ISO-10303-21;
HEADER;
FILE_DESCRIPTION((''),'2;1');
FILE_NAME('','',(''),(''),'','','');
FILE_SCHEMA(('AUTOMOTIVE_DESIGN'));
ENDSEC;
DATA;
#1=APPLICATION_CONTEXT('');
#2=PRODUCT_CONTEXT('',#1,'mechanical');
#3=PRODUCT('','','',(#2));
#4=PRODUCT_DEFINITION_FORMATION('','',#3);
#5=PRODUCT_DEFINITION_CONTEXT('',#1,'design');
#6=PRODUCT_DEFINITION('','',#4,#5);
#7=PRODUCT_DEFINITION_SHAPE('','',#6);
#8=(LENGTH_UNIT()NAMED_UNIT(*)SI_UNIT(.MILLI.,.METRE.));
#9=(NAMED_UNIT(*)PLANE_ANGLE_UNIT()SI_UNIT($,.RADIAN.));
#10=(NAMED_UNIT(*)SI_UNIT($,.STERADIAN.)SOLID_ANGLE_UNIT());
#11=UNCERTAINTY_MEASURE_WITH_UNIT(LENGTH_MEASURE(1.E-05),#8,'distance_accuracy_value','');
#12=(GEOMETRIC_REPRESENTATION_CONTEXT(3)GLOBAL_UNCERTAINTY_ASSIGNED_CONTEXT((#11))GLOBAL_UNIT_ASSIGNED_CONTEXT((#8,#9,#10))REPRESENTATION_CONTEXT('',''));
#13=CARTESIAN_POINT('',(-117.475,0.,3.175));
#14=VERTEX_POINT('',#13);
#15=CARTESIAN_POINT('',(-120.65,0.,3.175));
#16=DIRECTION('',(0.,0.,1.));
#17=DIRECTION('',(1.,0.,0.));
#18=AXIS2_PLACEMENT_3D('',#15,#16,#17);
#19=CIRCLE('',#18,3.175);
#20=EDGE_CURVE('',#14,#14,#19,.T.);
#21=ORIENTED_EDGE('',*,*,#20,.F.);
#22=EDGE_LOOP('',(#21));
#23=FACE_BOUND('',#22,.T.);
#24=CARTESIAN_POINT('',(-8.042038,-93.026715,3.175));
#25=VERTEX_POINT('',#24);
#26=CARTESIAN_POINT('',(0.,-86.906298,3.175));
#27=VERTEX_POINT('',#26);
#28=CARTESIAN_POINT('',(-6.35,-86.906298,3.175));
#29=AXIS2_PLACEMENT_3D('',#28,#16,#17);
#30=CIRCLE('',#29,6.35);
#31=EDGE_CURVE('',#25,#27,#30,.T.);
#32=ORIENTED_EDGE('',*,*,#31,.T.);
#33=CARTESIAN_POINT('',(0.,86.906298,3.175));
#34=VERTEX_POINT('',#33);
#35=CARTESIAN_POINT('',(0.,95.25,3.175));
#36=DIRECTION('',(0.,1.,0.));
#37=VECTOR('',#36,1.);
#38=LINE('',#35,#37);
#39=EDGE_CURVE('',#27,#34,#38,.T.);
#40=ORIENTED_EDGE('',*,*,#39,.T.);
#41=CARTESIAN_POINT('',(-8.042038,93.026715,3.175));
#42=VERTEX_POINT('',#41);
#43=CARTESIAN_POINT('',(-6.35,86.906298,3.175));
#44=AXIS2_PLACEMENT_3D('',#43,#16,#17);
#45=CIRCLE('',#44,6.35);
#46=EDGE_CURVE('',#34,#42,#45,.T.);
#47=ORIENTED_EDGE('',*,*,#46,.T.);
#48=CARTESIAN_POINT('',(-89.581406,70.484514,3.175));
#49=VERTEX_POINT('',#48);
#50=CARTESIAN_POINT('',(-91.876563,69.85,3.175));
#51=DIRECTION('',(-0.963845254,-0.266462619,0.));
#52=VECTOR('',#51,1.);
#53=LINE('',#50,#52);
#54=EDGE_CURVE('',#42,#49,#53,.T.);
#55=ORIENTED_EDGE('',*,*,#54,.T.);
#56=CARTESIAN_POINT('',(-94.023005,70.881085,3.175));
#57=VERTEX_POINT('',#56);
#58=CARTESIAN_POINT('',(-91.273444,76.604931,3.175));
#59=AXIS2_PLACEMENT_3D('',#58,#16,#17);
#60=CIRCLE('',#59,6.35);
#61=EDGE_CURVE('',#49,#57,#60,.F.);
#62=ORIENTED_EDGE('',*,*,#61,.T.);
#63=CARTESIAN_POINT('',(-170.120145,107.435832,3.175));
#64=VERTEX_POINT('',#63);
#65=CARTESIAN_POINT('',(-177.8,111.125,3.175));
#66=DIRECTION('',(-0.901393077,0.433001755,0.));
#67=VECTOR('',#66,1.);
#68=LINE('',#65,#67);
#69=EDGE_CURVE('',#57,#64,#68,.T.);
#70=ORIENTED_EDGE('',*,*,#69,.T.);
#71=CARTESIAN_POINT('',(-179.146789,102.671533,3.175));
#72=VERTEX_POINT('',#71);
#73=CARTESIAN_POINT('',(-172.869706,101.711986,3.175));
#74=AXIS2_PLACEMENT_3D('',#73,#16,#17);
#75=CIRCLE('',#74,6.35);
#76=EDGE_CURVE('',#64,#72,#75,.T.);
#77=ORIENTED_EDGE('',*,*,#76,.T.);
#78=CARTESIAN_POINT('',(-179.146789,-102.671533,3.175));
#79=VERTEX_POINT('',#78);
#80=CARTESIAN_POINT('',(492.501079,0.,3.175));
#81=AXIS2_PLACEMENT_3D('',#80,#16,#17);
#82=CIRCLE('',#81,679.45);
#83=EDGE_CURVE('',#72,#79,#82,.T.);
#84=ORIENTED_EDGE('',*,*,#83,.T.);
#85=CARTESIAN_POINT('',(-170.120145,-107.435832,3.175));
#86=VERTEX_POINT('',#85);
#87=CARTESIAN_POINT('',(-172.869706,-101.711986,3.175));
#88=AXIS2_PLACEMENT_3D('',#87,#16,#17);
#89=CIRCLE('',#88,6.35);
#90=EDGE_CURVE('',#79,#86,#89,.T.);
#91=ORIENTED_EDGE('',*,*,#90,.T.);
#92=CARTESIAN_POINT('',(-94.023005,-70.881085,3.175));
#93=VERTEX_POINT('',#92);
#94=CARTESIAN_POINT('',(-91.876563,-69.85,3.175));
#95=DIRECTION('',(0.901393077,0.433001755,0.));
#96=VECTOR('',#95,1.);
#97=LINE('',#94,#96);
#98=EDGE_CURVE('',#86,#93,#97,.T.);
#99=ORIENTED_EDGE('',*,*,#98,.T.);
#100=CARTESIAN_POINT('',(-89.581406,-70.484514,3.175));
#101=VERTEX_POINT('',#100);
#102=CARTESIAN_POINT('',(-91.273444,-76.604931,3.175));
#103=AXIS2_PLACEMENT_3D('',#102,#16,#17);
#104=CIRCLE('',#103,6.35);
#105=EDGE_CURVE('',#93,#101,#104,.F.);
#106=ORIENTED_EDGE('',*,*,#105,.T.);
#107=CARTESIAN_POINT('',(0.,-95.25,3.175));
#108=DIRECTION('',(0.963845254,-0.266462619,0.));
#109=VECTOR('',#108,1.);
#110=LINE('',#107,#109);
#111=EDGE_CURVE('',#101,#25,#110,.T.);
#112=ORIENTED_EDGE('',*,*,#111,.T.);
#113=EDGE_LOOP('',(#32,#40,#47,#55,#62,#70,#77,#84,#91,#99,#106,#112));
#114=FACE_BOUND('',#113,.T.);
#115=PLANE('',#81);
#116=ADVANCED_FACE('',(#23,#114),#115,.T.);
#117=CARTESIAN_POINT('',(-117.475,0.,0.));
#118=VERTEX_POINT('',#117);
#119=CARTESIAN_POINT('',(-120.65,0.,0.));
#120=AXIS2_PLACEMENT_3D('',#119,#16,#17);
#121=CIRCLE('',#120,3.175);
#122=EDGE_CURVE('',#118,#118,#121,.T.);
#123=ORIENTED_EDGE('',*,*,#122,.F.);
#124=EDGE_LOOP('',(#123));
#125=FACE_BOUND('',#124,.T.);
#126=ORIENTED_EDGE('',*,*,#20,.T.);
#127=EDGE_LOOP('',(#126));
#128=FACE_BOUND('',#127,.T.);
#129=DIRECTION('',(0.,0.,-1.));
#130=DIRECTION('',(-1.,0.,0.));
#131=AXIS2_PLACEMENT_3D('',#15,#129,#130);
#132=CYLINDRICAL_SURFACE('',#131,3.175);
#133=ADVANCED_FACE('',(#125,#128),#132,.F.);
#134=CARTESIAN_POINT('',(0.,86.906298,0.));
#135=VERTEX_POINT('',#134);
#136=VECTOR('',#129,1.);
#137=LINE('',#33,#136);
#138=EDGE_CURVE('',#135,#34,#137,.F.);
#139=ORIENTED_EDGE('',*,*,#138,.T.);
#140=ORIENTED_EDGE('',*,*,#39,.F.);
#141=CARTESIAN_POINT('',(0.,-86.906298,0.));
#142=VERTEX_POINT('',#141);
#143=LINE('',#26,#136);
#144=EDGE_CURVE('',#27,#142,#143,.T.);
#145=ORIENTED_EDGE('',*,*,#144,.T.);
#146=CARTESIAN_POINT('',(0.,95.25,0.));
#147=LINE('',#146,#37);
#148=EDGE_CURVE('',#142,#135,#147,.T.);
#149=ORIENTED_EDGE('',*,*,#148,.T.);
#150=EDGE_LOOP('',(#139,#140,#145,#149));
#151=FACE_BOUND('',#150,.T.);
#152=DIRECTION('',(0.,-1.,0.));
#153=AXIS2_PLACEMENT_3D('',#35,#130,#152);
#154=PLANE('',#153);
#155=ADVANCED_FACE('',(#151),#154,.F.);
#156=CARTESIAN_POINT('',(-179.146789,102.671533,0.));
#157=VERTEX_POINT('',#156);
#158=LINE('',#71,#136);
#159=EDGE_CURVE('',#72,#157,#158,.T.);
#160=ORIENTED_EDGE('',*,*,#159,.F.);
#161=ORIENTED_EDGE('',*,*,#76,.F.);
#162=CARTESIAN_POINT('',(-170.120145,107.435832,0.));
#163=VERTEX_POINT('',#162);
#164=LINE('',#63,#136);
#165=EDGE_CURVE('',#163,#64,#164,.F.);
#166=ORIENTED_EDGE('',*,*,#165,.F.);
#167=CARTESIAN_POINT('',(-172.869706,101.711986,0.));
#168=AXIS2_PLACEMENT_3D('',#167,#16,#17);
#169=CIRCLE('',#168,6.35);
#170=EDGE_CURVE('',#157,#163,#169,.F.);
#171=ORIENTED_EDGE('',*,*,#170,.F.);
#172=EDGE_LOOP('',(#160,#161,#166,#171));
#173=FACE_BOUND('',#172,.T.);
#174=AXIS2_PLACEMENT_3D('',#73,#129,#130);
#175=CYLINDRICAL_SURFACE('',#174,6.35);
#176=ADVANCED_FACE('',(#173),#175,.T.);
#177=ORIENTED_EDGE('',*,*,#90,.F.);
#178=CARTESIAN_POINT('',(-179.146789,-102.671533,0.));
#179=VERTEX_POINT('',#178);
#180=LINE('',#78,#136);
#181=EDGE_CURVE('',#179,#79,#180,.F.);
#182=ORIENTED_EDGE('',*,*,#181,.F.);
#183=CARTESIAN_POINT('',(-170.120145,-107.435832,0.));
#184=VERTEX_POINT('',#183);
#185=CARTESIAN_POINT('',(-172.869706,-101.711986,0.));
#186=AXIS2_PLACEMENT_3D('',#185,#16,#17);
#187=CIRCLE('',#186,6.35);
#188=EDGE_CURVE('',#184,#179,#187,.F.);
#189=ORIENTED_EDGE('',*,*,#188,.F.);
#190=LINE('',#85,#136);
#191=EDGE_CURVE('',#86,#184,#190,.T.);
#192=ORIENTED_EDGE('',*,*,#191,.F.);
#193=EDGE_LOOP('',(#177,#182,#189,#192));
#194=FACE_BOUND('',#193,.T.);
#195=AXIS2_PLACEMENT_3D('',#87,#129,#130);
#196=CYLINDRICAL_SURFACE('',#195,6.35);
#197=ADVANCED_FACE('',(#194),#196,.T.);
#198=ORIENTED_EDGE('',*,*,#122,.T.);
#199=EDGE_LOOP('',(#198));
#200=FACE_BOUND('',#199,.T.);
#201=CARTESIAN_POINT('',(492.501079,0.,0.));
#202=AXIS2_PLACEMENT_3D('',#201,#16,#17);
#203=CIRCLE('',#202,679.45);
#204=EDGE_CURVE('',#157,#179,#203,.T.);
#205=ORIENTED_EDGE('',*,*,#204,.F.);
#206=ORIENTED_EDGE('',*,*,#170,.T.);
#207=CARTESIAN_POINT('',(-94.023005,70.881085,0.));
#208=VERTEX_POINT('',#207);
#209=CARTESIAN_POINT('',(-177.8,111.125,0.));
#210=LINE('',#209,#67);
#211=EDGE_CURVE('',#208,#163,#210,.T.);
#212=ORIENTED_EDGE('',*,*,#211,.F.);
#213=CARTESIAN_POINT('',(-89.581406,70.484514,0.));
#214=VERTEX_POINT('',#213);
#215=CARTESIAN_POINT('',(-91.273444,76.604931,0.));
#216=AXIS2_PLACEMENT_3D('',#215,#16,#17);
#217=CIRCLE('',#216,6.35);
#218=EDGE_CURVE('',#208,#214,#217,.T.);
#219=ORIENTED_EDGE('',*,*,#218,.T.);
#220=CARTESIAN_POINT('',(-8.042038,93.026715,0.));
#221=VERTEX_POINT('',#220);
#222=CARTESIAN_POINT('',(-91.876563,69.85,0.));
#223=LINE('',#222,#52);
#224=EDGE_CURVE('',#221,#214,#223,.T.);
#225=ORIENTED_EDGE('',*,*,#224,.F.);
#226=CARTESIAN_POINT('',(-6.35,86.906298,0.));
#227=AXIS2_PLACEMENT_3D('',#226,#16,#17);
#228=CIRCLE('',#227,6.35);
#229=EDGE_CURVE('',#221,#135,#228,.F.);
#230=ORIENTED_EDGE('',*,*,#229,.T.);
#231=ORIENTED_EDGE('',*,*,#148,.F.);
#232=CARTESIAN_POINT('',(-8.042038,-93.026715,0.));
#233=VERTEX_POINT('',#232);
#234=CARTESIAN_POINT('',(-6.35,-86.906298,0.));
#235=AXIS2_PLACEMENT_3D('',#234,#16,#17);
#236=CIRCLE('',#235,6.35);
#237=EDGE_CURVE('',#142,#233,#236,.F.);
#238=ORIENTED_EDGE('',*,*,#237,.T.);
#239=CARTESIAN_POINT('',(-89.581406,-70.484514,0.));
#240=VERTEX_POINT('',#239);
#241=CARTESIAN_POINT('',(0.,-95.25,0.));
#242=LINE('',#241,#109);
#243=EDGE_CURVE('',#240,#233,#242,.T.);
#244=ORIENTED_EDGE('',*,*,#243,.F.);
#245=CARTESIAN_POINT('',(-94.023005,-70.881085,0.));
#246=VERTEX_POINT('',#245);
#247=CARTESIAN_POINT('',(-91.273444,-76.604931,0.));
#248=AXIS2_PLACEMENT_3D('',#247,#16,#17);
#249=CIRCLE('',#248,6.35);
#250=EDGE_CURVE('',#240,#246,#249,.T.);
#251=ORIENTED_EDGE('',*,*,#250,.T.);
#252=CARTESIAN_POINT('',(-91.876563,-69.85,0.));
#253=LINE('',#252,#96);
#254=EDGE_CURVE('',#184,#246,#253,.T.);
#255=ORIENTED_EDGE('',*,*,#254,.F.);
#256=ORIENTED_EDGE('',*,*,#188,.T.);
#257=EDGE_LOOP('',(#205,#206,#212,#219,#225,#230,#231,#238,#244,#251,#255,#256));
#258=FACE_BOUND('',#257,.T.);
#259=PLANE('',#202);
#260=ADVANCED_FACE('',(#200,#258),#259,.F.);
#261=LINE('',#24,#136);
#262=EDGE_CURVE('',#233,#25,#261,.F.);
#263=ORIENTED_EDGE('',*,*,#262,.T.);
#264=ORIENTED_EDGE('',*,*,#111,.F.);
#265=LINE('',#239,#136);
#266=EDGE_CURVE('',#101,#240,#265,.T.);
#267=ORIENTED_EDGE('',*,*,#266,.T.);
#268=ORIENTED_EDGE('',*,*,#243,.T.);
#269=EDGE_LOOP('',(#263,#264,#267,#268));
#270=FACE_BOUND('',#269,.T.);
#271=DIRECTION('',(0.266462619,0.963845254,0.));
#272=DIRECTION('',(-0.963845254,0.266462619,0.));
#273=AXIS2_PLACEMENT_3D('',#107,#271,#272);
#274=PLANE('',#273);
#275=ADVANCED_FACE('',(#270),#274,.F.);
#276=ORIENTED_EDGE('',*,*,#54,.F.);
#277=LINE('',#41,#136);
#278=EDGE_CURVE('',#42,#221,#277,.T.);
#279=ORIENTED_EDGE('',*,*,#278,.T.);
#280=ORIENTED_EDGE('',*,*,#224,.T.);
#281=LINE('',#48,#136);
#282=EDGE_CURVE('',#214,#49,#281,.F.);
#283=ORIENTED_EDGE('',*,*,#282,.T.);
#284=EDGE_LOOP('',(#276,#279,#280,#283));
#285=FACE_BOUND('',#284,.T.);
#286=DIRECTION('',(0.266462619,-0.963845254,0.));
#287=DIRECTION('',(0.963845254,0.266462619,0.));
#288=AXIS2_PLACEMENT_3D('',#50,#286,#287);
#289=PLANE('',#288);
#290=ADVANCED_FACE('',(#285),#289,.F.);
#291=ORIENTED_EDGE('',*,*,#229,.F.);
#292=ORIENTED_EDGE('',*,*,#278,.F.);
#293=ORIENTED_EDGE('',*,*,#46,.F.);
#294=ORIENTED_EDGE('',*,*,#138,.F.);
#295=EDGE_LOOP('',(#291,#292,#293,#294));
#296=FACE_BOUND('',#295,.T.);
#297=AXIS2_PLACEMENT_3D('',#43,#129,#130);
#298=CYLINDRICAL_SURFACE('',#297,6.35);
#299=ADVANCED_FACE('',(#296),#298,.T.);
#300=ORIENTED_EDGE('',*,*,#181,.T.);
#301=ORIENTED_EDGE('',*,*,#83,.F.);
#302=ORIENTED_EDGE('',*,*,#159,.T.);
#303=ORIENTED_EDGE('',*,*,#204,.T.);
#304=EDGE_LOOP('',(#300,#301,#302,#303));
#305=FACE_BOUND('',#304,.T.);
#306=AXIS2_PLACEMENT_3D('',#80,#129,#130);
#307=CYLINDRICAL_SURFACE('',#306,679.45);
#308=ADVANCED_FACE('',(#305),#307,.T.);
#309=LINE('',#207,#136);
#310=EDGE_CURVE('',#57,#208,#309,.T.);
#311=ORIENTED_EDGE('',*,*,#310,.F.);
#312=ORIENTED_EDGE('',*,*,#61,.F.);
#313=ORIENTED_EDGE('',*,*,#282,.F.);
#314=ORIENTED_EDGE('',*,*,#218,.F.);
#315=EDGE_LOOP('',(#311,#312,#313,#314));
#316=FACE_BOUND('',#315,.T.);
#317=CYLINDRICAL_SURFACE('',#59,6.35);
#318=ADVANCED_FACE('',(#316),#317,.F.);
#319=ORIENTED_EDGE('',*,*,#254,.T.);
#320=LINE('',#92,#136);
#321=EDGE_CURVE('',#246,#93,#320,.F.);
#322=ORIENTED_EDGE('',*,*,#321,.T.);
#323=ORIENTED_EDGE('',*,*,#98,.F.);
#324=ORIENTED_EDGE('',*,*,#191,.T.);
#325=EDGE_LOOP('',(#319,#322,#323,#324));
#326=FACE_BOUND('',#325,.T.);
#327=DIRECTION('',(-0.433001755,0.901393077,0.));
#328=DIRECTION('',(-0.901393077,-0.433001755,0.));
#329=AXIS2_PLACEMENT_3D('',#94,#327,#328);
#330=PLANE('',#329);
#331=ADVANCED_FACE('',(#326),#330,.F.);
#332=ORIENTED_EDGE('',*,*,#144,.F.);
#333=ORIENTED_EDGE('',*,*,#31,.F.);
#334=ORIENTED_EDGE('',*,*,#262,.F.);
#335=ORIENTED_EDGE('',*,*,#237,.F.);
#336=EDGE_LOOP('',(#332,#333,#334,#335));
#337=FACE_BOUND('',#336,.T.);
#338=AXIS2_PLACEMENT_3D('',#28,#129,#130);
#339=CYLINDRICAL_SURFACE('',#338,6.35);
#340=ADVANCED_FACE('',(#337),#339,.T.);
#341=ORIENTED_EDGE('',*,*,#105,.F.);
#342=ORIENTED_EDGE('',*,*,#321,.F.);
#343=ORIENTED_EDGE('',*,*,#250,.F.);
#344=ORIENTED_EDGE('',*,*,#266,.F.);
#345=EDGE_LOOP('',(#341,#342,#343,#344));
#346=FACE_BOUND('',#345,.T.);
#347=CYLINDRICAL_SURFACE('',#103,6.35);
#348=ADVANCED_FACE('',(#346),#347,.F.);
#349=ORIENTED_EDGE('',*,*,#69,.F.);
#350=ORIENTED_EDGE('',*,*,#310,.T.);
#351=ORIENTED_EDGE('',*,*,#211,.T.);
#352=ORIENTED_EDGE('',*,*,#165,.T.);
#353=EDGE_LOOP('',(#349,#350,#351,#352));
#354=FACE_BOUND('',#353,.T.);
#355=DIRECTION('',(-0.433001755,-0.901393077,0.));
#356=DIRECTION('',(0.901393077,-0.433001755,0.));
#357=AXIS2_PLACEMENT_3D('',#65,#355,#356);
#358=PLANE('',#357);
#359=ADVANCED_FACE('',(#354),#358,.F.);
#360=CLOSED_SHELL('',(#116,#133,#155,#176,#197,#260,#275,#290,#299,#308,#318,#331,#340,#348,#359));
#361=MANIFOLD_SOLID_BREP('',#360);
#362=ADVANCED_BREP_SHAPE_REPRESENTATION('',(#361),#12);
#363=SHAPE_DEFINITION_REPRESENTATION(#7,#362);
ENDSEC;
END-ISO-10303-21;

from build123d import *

# Parameters (mm, degrees)
SKETCH1_R           = 3.175
BOSS_EXTRUDE1_DEPTH = 3.175
FILLET1_R           = 6.35


with BuildPart() as part:
    # Sketch1 → Boss-Extrude1 (new body)
    with BuildSketch(Plane.XY):
        with BuildLine():
            Line((-177.8, 111.125), (-91.8765625, 69.85))
            Line((-91.8765625, 69.85), (0, 95.25))
            Line((0, 95.25), (0, -95.25))
            Line((0, -95.25), (-91.8765625, -69.85))
            Line((-91.8765625, -69.85), (-177.8, -111.125))
            ThreePointArc((-177.8, -111.125), (-186.948920727, 0), (-177.8, 111.125))
        make_face()
        with Locations((-120.65, 0)):
            Circle(SKETCH1_R, mode=Mode.SUBTRACT)
    extrude(amount=BOSS_EXTRUDE1_DEPTH)

    # Fillet1
    fillet1_edges = [part.edges().sort_by_distance(p)[0] for p in [
        (-177.8, 111.125, 1.5875),
        (-91.8765625, 69.85, 1.5875),
        (0, 95.25, 1.5875),
        (0, -95.25, 1.5875),
        (-91.8765625, -69.85, 1.5875),
        (-177.8, -111.125, 1.5875),
    ]]
    fillet(fillet1_edges, radius=FILLET1_R)


solid = part.part
